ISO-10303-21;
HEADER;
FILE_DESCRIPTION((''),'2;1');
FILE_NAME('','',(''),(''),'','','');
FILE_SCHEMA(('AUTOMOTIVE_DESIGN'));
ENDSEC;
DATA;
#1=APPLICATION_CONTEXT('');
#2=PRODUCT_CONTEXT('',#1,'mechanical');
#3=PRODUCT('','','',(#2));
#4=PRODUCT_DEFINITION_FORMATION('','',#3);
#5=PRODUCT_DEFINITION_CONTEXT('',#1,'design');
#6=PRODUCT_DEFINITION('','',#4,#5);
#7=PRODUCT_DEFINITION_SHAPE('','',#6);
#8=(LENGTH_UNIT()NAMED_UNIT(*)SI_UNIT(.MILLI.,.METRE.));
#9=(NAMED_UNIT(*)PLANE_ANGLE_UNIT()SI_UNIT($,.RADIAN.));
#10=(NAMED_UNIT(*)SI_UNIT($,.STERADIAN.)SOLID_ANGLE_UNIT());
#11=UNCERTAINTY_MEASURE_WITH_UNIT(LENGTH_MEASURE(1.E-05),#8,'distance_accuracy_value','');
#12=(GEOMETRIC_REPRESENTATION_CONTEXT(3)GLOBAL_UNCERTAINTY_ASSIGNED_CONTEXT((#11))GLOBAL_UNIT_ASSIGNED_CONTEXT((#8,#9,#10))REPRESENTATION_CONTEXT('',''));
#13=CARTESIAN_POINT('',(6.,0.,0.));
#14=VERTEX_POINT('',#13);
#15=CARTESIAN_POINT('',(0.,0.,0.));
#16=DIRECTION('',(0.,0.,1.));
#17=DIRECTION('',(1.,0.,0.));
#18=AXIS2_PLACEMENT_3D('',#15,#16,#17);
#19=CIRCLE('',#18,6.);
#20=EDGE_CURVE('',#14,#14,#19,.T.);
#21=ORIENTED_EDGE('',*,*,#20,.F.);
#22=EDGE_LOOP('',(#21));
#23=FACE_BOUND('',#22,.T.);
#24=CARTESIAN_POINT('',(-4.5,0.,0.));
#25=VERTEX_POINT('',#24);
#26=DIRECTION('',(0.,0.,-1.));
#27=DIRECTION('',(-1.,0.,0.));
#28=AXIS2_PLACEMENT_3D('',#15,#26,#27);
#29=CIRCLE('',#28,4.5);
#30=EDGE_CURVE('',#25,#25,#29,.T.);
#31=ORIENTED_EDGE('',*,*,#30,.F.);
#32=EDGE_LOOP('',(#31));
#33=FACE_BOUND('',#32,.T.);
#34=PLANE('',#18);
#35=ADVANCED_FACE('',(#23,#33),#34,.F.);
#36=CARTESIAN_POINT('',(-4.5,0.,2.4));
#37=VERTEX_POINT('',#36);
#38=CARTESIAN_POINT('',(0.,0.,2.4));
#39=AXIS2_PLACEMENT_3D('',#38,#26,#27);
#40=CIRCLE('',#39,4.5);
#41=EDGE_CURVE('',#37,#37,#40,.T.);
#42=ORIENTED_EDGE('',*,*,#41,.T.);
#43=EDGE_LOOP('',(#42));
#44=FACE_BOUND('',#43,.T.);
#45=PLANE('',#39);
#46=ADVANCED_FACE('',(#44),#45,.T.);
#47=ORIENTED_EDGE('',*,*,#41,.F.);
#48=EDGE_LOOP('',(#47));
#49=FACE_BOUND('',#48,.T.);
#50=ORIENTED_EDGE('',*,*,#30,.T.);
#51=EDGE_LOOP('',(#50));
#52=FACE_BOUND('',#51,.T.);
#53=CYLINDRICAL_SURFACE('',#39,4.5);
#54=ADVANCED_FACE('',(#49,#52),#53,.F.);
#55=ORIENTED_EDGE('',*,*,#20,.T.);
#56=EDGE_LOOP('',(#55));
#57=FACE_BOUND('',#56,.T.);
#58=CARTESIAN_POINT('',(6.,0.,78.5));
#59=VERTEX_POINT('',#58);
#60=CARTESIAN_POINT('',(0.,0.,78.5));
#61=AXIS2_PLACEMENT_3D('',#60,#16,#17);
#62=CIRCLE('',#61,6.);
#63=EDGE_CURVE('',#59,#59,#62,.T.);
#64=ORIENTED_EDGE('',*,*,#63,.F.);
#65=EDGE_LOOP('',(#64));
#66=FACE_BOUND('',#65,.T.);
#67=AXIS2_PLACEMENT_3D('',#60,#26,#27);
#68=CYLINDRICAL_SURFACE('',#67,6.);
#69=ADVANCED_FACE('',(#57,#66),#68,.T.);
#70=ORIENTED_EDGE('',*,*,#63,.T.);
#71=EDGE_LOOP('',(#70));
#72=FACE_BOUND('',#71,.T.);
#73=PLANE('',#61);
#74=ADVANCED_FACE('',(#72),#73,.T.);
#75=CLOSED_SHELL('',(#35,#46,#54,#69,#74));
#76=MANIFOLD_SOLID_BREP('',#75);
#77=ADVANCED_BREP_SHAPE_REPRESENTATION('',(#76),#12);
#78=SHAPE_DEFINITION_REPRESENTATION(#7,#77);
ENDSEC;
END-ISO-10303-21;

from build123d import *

# Parameters (mm, degrees)
SKETCH1_R           = 6
BOSS_EXTRUDE1_DEPTH = 78.5
SKETCH2_R           = 4.5
CUT_EXTRUDE1_DEPTH  = 2.4


with BuildPart() as part:
    # Sketch1 → Boss-Extrude1 (new body)
    with BuildSketch(Plane.XY):
        Circle(SKETCH1_R)
    extrude(amount=BOSS_EXTRUDE1_DEPTH)

    # Sketch2 → Cut-Extrude1 (cut)
    with BuildSketch(Plane(origin=(0, 0, 0), x_dir=(-1, 0, 0), z_dir=(0, 0, -1))):
        Circle(SKETCH2_R)
    extrude(amount=-CUT_EXTRUDE1_DEPTH, mode=Mode.SUBTRACT)


solid = part.part
